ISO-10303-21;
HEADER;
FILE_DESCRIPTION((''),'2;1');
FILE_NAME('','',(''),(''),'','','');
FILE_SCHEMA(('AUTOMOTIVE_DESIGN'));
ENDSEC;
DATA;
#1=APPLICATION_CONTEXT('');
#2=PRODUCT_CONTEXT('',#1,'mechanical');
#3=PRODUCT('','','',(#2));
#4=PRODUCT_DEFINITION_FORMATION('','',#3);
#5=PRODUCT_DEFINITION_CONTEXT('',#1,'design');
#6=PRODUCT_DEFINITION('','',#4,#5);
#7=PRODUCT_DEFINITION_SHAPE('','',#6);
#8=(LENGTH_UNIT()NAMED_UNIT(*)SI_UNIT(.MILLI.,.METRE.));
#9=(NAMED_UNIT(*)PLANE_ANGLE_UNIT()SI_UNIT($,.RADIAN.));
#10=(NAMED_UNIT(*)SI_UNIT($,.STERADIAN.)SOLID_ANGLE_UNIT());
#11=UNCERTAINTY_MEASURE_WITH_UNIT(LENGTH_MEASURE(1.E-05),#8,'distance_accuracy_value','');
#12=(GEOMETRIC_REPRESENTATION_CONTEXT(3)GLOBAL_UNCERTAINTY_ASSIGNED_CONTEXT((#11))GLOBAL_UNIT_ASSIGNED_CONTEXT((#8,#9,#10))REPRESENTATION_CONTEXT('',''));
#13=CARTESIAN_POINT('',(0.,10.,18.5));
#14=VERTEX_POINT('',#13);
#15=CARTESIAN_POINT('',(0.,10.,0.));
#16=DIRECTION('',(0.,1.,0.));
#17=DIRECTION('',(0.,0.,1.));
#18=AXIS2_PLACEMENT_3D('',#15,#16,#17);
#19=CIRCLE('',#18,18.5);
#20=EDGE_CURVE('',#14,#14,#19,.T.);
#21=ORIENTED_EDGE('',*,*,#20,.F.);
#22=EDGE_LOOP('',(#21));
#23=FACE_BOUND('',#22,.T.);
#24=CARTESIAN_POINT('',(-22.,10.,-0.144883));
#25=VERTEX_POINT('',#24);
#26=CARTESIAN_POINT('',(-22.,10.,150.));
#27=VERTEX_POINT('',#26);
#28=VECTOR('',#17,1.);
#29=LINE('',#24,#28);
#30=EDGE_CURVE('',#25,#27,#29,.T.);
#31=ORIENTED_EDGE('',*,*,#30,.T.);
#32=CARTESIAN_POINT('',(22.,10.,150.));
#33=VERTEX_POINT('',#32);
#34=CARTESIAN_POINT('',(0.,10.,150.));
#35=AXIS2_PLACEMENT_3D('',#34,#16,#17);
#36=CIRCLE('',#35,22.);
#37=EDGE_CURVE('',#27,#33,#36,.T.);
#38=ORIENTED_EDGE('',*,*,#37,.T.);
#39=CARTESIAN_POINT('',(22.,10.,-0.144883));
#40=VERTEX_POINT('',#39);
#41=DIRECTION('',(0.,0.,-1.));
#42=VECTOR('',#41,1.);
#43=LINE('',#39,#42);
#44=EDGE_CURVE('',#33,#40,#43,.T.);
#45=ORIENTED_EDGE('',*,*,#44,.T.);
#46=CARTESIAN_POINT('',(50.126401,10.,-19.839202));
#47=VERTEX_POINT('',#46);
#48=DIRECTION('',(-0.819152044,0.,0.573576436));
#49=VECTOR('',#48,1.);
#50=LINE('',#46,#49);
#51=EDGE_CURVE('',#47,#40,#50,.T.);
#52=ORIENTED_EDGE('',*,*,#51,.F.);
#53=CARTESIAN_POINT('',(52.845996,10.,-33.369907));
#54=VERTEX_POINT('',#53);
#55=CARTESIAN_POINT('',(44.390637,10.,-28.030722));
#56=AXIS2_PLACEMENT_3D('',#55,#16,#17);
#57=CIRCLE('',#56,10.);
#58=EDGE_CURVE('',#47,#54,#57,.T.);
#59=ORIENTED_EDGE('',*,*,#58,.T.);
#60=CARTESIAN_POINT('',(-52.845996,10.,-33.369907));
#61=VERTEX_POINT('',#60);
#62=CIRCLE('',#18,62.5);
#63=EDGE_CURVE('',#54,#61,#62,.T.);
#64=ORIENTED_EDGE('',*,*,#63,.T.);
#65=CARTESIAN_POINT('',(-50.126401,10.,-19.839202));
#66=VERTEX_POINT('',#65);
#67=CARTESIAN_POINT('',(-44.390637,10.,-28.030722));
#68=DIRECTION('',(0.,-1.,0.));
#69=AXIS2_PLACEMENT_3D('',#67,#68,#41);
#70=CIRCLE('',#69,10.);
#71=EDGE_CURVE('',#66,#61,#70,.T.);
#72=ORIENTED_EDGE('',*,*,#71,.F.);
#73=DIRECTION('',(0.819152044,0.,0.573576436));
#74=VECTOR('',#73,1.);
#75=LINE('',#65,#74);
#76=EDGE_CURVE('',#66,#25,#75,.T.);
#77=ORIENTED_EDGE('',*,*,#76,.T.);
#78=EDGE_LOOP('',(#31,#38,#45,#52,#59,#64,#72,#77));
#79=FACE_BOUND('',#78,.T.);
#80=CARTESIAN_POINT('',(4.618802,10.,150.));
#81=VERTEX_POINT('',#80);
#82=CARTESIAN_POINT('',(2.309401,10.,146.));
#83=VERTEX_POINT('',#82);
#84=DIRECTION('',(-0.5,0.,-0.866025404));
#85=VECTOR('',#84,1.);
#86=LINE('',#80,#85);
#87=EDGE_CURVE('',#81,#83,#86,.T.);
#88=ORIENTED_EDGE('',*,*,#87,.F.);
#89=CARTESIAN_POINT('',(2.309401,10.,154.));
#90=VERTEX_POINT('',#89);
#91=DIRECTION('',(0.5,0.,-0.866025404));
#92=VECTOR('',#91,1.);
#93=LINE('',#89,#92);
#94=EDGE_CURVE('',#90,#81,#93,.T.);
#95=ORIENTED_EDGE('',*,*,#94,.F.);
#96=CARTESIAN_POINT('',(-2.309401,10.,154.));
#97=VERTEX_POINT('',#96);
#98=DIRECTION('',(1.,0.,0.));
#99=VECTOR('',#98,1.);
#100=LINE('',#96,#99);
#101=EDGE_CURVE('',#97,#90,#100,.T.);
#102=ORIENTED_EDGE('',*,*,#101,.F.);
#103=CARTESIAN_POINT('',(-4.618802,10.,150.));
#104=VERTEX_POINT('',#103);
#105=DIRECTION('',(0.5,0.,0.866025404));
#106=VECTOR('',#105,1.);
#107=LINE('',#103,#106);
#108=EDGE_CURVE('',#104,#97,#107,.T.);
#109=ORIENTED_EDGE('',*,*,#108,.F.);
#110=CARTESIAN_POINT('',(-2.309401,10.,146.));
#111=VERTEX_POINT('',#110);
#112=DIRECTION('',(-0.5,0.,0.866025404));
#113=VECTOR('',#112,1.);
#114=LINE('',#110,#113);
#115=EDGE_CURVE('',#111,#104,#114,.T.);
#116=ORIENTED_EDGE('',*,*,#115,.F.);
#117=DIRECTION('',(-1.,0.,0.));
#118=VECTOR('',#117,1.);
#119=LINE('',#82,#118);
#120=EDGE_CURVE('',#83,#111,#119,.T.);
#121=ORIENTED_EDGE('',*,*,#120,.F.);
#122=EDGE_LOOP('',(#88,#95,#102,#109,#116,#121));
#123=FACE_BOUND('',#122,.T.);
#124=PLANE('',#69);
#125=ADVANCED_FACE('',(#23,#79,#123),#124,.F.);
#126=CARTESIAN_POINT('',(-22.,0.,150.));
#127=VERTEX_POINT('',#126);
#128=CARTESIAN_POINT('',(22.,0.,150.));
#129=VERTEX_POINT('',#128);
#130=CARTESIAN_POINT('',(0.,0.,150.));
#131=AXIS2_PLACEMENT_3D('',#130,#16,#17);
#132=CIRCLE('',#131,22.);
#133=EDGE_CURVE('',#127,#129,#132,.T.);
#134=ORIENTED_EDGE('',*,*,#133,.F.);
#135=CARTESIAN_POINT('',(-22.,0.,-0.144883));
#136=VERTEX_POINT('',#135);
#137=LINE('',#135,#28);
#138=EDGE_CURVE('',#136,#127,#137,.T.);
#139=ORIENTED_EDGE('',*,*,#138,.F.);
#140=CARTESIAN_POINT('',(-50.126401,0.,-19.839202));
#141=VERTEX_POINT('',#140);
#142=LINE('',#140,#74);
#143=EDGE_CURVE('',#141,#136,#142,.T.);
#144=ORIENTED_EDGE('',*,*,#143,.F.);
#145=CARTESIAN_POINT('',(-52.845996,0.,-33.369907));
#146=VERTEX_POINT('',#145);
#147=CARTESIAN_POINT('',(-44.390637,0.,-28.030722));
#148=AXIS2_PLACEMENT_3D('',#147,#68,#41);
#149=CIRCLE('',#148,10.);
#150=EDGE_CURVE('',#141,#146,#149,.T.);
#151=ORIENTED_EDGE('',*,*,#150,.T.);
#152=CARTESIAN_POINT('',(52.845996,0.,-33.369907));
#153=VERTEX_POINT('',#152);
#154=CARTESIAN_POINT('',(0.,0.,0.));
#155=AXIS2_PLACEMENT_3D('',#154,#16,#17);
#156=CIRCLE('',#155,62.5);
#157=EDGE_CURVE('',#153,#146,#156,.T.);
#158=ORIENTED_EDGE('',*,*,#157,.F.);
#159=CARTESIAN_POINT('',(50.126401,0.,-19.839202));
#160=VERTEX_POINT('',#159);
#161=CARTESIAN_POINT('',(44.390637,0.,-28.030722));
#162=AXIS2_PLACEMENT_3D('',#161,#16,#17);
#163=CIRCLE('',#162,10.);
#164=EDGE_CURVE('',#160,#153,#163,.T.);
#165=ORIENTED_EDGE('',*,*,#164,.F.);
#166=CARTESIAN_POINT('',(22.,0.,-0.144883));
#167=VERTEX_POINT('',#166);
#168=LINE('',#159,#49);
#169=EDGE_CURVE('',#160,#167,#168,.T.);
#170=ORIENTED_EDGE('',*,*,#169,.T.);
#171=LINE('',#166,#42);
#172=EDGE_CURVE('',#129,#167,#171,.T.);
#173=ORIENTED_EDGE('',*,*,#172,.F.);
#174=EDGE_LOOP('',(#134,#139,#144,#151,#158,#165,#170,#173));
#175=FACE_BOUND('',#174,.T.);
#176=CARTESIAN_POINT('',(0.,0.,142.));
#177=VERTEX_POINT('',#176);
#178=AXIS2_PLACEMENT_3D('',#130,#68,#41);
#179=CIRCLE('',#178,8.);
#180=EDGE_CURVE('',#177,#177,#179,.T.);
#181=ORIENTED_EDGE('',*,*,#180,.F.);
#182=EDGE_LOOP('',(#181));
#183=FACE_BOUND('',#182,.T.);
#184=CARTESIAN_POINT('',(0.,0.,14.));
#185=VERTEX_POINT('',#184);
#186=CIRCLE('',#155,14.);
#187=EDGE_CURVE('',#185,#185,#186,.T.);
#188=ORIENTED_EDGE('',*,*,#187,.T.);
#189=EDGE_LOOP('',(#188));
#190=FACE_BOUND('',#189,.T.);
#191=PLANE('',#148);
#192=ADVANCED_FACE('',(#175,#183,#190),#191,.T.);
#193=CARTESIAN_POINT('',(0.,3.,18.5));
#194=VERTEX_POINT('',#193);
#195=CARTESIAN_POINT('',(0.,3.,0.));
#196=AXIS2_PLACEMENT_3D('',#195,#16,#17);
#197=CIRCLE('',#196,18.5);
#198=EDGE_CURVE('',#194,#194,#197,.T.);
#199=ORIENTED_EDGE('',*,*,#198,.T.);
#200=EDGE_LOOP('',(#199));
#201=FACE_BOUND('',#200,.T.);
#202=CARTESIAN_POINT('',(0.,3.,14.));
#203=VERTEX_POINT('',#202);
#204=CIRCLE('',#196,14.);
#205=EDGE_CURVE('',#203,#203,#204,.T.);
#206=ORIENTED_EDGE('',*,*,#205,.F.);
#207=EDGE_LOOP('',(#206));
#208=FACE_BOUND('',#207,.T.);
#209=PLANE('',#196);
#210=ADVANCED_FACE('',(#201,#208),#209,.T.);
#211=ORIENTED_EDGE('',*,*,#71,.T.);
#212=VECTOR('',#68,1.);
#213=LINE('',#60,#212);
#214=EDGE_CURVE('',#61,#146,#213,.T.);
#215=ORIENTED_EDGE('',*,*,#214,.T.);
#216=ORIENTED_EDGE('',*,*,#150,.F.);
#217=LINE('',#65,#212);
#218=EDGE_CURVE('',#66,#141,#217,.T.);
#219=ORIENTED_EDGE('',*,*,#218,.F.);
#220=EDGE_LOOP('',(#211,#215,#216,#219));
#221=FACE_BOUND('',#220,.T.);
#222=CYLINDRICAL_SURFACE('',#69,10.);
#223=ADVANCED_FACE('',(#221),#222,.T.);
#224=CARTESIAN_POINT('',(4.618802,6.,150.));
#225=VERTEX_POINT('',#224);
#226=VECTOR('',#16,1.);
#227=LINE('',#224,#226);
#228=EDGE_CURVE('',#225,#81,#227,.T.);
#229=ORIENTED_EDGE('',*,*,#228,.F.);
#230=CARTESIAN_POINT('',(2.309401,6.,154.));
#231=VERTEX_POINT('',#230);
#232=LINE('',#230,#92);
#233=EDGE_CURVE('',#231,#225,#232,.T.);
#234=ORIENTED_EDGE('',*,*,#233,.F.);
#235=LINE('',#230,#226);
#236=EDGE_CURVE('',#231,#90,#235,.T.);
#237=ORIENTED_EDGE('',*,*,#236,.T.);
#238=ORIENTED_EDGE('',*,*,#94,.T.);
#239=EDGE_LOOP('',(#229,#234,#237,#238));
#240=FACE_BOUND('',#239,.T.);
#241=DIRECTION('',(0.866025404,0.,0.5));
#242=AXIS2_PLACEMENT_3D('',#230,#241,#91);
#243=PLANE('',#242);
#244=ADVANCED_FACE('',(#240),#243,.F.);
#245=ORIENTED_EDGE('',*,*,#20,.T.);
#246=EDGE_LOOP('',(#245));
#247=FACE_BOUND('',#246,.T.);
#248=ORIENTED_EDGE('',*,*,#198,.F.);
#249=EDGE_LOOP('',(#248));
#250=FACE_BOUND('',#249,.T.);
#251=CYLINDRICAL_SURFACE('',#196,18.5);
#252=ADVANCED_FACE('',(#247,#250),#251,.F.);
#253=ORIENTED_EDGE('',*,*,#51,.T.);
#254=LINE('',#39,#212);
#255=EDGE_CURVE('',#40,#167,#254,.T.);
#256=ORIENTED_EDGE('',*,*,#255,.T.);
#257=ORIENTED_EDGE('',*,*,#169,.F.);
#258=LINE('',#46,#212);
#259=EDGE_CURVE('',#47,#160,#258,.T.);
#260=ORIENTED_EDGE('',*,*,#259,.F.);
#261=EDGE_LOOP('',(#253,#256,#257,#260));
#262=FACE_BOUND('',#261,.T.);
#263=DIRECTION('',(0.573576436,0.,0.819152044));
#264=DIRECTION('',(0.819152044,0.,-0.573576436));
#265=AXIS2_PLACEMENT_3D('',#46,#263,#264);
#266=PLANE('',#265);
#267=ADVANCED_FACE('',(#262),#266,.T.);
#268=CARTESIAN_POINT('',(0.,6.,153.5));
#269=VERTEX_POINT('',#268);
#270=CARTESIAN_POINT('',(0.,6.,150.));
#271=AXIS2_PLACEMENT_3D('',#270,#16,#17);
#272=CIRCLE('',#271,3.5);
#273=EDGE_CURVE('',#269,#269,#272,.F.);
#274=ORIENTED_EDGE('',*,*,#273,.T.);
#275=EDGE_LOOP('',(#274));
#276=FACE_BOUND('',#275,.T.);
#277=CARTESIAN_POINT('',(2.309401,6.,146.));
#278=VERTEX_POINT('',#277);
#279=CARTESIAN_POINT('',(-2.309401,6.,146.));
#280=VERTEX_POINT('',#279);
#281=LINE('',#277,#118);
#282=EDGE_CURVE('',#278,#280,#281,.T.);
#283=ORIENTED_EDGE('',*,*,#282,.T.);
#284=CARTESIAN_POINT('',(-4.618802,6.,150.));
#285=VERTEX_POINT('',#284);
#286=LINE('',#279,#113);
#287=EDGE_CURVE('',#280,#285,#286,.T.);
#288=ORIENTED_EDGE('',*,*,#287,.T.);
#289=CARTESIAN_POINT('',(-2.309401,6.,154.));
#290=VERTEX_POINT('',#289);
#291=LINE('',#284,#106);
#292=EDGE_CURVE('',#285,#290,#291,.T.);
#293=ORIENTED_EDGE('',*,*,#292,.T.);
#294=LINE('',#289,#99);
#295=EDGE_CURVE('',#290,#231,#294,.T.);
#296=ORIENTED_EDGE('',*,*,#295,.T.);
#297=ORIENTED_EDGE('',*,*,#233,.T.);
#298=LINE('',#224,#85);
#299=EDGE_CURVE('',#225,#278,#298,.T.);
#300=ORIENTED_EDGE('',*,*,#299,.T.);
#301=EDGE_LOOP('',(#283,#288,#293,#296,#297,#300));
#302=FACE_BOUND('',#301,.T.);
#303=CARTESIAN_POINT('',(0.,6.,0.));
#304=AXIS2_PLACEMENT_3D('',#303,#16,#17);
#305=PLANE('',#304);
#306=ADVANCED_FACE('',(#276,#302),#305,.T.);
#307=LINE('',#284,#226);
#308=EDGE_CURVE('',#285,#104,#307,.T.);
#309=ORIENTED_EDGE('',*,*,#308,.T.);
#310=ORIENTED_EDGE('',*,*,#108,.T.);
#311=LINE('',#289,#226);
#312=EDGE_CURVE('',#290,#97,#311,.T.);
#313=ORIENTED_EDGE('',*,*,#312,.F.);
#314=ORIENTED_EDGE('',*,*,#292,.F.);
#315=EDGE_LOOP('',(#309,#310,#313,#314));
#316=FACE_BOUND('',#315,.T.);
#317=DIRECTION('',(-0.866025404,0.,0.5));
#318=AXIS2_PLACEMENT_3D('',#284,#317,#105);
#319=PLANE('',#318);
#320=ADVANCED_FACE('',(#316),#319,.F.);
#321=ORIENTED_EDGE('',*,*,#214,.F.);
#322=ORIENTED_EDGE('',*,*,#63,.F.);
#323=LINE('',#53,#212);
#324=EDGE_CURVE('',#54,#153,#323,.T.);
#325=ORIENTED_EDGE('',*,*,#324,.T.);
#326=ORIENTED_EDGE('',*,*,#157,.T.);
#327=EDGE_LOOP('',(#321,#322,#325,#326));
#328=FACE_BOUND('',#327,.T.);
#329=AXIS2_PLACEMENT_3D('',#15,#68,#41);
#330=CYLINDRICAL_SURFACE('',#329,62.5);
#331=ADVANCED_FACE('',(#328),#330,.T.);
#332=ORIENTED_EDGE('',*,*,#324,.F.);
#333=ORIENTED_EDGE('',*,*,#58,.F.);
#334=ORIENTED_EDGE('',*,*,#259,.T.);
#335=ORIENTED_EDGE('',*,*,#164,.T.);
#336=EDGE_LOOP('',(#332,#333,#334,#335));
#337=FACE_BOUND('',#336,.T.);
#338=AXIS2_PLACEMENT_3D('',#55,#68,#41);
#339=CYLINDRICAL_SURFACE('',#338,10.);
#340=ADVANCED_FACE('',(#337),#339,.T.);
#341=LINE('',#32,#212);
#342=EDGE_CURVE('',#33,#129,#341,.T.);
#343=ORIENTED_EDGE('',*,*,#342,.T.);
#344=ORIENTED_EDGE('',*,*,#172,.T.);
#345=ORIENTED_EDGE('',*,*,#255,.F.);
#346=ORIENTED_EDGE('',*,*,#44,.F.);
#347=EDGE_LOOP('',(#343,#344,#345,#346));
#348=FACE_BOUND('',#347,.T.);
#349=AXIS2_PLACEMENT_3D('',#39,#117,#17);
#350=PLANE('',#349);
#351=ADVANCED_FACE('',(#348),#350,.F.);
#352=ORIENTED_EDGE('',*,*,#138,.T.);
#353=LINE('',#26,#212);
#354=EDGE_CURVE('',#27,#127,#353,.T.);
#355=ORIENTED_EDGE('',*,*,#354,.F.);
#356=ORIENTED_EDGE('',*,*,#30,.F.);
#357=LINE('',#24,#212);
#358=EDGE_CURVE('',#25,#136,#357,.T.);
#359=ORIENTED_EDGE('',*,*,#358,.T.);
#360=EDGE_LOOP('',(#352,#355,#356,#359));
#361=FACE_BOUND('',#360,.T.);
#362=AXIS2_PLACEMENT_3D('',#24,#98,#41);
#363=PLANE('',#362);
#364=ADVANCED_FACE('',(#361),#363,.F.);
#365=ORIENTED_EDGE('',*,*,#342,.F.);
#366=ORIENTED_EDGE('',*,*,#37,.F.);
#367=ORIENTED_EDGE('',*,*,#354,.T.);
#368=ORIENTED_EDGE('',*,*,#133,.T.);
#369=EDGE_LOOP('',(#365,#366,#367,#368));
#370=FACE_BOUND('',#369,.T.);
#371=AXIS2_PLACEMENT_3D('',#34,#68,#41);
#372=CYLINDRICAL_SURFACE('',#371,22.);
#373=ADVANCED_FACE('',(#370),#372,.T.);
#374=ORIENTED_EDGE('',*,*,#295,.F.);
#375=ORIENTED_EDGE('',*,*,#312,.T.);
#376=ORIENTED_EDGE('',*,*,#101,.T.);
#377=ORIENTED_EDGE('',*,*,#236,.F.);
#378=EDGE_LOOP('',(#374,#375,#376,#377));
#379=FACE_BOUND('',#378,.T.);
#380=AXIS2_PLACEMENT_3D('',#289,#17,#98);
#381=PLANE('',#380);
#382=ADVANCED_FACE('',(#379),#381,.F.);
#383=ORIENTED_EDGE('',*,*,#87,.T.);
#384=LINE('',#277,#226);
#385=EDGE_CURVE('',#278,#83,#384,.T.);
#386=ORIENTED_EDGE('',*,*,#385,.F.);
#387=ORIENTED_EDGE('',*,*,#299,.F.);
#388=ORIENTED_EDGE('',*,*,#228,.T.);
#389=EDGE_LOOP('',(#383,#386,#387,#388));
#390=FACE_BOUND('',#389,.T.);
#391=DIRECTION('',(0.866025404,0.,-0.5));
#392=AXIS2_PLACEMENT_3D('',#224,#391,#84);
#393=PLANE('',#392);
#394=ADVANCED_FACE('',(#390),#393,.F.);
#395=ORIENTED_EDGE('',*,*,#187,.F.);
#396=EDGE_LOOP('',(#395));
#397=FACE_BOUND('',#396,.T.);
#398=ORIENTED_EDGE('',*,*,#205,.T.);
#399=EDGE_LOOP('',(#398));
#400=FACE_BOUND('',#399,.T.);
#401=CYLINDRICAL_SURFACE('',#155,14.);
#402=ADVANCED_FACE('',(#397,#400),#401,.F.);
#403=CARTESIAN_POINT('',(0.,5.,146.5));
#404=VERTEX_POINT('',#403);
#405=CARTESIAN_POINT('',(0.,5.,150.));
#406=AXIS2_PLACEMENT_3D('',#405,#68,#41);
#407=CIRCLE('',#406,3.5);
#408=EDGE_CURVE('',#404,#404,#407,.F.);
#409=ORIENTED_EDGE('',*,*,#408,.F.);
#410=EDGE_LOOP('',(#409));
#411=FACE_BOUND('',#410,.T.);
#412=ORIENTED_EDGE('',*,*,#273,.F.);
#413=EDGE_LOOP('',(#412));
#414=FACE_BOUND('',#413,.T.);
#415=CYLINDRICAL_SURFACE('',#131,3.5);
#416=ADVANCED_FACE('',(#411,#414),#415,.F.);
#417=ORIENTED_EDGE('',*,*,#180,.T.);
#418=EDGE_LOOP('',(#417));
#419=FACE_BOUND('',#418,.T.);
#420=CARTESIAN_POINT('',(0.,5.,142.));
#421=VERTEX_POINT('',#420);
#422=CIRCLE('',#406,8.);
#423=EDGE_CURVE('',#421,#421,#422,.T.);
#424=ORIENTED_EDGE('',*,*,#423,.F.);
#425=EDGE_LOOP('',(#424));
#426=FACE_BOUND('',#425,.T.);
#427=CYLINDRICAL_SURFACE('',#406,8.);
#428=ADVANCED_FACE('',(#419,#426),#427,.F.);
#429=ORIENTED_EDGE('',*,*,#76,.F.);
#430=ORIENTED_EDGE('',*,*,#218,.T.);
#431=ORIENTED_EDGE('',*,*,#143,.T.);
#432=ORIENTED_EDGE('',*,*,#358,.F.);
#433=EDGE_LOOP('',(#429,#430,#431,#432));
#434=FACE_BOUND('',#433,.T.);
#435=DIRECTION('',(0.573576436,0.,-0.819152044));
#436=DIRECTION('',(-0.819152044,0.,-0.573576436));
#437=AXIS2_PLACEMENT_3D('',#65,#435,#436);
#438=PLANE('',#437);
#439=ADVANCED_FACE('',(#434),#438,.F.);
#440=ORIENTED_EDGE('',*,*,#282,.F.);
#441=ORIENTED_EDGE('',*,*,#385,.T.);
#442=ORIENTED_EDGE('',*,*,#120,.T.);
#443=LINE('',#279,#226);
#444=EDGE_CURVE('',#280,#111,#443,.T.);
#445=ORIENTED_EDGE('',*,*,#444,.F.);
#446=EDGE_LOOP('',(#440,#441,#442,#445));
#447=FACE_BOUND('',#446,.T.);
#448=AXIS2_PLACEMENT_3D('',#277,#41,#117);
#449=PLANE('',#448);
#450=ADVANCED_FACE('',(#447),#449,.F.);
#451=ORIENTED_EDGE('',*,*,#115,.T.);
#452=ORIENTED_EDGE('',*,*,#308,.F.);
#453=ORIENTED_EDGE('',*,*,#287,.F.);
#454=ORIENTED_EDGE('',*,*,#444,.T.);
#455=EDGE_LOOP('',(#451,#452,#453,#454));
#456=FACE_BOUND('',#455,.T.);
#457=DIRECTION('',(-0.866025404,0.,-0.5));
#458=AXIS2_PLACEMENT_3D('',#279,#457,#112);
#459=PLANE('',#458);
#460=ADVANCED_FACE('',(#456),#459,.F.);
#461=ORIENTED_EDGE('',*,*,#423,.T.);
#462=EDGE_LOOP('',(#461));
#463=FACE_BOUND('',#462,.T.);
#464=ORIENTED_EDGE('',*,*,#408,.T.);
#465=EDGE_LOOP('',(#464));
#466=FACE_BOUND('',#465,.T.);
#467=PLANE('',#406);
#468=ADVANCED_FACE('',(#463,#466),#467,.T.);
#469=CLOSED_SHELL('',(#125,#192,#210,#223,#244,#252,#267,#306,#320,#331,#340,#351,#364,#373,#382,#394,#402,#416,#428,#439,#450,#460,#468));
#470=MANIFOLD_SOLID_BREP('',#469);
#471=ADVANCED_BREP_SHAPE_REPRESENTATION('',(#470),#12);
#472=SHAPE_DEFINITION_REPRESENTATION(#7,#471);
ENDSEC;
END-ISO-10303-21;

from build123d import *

# Parameters (mm, degrees)
BOSS_EXTRUDE1_DEPTH = 10
BOSS_EXTRUDE2_DEPTH = 10
SKETCH3_R           = 18.5
CUT_EXTRUDE1_DEPTH  = 7
SKETCH4_R           = 14
CUT_EXTRUDE2_DEPTH  = 181.671916356
SKETCH5_R           = 3.5
CUT_EXTRUDE3_DEPTH  = 181.671916356
SKETCH6_R           = 8
CUT_EXTRUDE4_DEPTH  = 5
CUT_EXTRUDE5_DEPTH  = 4


with BuildPart() as part:
    # Sketch1 → Boss-Extrude1 (new body)
    with BuildSketch(Plane(origin=(0, 0, 0), x_dir=(1, 0, 0), z_dir=(0, 1, 0))):
        with BuildLine():
            Line((-50.126401057, 19.839201524), (-7.169705454, -10.239400554))
            ThreePointArc((-7.169705454, -10.239400554), (0, -12.5), (7.169705454, -10.239400554))
            Line((7.169705454, -10.239400554), (50.126401057, 19.839201524))
            ThreePointArc((50.126401057, 19.839201524), (54.194564303, 26.060188175), (52.845996063, 33.369907103))
            ThreePointArc((52.845996063, 33.369907103), (0, 62.5), (-52.845996063, 33.369907103))
            ThreePointArc((-52.845996063, 33.369907103), (-54.194564303, 26.060188175), (-50.126401057, 19.839201524))
        make_face()
    extrude(amount=BOSS_EXTRUDE1_DEPTH)

    # Sketch2 → Boss-Extrude2 (add)
    with BuildSketch(Plane(origin=(0, 0, 0), x_dir=(1, 0, 0), z_dir=(0, 1, 0))):
        with BuildLine():
            Line((-22, 0.144883481), (-22, -150))
            ThreePointArc((-22, -150), (0, -172), (22, -150))
            Line((22, -150), (22, 0.144883481))
            Line((22, 0.144883481), (7.169705454, -10.239400554))
            ThreePointArc((7.169705454, -10.239400554), (0, -12.5), (-7.169705454, -10.239400554))
            Line((-7.169705454, -10.239400554), (-22, 0.144883481))
        make_face()
    extrude(amount=BOSS_EXTRUDE2_DEPTH)

    # Sketch3 → Cut-Extrude1 (cut)
    with BuildSketch(Plane(origin=(0, 10, 0), x_dir=(1, 0, 0), z_dir=(0, 1, 0))):
        with Locations(Location((0, 0, 0), (0, 0, 270))):
            Circle(SKETCH3_R)
    extrude(amount=-CUT_EXTRUDE1_DEPTH, mode=Mode.SUBTRACT)

    # Sketch4 → Cut-Extrude2 (cut, through all)
    with BuildSketch(Plane(origin=(0, 10, 0), x_dir=(1, 0, 0), z_dir=(0, 1, 0))):
        with Locations(Location((0, 0, 0), (0, 0, 270))):
            Circle(SKETCH4_R)
    extrude(amount=-CUT_EXTRUDE2_DEPTH, mode=Mode.SUBTRACT)

    # Sketch5 → Cut-Extrude3 (cut, through all)
    with BuildSketch(Plane(origin=(0, 10, 0), x_dir=(1, 0, 0), z_dir=(0, 1, 0))):
        with Locations(Location((0, -150, 0), (0, 0, 270))):
            Circle(SKETCH5_R)
    extrude(amount=-CUT_EXTRUDE3_DEPTH, mode=Mode.SUBTRACT)

    # Sketch6 → Cut-Extrude4 (cut)
    with BuildSketch(Plane.XZ):
        with Locations(Location((0, 150, 0), (0, 0, 270))):
            Circle(SKETCH6_R)
    extrude(amount=-CUT_EXTRUDE4_DEPTH, mode=Mode.SUBTRACT)

    # Sketch7 → Cut-Extrude5 (cut)
    with BuildSketch(Plane(origin=(0, 10, 0), x_dir=(1, 0, 0), z_dir=(0, 1, 0))):
        Polygon((4.618802154, -150), (2.309401077, -146), (-2.309401077, -146), (-4.618802154, -150), (-2.309401077, -154), (2.309401077, -154), align=None)
    extrude(amount=-CUT_EXTRUDE5_DEPTH, mode=Mode.SUBTRACT)


solid = part.part
